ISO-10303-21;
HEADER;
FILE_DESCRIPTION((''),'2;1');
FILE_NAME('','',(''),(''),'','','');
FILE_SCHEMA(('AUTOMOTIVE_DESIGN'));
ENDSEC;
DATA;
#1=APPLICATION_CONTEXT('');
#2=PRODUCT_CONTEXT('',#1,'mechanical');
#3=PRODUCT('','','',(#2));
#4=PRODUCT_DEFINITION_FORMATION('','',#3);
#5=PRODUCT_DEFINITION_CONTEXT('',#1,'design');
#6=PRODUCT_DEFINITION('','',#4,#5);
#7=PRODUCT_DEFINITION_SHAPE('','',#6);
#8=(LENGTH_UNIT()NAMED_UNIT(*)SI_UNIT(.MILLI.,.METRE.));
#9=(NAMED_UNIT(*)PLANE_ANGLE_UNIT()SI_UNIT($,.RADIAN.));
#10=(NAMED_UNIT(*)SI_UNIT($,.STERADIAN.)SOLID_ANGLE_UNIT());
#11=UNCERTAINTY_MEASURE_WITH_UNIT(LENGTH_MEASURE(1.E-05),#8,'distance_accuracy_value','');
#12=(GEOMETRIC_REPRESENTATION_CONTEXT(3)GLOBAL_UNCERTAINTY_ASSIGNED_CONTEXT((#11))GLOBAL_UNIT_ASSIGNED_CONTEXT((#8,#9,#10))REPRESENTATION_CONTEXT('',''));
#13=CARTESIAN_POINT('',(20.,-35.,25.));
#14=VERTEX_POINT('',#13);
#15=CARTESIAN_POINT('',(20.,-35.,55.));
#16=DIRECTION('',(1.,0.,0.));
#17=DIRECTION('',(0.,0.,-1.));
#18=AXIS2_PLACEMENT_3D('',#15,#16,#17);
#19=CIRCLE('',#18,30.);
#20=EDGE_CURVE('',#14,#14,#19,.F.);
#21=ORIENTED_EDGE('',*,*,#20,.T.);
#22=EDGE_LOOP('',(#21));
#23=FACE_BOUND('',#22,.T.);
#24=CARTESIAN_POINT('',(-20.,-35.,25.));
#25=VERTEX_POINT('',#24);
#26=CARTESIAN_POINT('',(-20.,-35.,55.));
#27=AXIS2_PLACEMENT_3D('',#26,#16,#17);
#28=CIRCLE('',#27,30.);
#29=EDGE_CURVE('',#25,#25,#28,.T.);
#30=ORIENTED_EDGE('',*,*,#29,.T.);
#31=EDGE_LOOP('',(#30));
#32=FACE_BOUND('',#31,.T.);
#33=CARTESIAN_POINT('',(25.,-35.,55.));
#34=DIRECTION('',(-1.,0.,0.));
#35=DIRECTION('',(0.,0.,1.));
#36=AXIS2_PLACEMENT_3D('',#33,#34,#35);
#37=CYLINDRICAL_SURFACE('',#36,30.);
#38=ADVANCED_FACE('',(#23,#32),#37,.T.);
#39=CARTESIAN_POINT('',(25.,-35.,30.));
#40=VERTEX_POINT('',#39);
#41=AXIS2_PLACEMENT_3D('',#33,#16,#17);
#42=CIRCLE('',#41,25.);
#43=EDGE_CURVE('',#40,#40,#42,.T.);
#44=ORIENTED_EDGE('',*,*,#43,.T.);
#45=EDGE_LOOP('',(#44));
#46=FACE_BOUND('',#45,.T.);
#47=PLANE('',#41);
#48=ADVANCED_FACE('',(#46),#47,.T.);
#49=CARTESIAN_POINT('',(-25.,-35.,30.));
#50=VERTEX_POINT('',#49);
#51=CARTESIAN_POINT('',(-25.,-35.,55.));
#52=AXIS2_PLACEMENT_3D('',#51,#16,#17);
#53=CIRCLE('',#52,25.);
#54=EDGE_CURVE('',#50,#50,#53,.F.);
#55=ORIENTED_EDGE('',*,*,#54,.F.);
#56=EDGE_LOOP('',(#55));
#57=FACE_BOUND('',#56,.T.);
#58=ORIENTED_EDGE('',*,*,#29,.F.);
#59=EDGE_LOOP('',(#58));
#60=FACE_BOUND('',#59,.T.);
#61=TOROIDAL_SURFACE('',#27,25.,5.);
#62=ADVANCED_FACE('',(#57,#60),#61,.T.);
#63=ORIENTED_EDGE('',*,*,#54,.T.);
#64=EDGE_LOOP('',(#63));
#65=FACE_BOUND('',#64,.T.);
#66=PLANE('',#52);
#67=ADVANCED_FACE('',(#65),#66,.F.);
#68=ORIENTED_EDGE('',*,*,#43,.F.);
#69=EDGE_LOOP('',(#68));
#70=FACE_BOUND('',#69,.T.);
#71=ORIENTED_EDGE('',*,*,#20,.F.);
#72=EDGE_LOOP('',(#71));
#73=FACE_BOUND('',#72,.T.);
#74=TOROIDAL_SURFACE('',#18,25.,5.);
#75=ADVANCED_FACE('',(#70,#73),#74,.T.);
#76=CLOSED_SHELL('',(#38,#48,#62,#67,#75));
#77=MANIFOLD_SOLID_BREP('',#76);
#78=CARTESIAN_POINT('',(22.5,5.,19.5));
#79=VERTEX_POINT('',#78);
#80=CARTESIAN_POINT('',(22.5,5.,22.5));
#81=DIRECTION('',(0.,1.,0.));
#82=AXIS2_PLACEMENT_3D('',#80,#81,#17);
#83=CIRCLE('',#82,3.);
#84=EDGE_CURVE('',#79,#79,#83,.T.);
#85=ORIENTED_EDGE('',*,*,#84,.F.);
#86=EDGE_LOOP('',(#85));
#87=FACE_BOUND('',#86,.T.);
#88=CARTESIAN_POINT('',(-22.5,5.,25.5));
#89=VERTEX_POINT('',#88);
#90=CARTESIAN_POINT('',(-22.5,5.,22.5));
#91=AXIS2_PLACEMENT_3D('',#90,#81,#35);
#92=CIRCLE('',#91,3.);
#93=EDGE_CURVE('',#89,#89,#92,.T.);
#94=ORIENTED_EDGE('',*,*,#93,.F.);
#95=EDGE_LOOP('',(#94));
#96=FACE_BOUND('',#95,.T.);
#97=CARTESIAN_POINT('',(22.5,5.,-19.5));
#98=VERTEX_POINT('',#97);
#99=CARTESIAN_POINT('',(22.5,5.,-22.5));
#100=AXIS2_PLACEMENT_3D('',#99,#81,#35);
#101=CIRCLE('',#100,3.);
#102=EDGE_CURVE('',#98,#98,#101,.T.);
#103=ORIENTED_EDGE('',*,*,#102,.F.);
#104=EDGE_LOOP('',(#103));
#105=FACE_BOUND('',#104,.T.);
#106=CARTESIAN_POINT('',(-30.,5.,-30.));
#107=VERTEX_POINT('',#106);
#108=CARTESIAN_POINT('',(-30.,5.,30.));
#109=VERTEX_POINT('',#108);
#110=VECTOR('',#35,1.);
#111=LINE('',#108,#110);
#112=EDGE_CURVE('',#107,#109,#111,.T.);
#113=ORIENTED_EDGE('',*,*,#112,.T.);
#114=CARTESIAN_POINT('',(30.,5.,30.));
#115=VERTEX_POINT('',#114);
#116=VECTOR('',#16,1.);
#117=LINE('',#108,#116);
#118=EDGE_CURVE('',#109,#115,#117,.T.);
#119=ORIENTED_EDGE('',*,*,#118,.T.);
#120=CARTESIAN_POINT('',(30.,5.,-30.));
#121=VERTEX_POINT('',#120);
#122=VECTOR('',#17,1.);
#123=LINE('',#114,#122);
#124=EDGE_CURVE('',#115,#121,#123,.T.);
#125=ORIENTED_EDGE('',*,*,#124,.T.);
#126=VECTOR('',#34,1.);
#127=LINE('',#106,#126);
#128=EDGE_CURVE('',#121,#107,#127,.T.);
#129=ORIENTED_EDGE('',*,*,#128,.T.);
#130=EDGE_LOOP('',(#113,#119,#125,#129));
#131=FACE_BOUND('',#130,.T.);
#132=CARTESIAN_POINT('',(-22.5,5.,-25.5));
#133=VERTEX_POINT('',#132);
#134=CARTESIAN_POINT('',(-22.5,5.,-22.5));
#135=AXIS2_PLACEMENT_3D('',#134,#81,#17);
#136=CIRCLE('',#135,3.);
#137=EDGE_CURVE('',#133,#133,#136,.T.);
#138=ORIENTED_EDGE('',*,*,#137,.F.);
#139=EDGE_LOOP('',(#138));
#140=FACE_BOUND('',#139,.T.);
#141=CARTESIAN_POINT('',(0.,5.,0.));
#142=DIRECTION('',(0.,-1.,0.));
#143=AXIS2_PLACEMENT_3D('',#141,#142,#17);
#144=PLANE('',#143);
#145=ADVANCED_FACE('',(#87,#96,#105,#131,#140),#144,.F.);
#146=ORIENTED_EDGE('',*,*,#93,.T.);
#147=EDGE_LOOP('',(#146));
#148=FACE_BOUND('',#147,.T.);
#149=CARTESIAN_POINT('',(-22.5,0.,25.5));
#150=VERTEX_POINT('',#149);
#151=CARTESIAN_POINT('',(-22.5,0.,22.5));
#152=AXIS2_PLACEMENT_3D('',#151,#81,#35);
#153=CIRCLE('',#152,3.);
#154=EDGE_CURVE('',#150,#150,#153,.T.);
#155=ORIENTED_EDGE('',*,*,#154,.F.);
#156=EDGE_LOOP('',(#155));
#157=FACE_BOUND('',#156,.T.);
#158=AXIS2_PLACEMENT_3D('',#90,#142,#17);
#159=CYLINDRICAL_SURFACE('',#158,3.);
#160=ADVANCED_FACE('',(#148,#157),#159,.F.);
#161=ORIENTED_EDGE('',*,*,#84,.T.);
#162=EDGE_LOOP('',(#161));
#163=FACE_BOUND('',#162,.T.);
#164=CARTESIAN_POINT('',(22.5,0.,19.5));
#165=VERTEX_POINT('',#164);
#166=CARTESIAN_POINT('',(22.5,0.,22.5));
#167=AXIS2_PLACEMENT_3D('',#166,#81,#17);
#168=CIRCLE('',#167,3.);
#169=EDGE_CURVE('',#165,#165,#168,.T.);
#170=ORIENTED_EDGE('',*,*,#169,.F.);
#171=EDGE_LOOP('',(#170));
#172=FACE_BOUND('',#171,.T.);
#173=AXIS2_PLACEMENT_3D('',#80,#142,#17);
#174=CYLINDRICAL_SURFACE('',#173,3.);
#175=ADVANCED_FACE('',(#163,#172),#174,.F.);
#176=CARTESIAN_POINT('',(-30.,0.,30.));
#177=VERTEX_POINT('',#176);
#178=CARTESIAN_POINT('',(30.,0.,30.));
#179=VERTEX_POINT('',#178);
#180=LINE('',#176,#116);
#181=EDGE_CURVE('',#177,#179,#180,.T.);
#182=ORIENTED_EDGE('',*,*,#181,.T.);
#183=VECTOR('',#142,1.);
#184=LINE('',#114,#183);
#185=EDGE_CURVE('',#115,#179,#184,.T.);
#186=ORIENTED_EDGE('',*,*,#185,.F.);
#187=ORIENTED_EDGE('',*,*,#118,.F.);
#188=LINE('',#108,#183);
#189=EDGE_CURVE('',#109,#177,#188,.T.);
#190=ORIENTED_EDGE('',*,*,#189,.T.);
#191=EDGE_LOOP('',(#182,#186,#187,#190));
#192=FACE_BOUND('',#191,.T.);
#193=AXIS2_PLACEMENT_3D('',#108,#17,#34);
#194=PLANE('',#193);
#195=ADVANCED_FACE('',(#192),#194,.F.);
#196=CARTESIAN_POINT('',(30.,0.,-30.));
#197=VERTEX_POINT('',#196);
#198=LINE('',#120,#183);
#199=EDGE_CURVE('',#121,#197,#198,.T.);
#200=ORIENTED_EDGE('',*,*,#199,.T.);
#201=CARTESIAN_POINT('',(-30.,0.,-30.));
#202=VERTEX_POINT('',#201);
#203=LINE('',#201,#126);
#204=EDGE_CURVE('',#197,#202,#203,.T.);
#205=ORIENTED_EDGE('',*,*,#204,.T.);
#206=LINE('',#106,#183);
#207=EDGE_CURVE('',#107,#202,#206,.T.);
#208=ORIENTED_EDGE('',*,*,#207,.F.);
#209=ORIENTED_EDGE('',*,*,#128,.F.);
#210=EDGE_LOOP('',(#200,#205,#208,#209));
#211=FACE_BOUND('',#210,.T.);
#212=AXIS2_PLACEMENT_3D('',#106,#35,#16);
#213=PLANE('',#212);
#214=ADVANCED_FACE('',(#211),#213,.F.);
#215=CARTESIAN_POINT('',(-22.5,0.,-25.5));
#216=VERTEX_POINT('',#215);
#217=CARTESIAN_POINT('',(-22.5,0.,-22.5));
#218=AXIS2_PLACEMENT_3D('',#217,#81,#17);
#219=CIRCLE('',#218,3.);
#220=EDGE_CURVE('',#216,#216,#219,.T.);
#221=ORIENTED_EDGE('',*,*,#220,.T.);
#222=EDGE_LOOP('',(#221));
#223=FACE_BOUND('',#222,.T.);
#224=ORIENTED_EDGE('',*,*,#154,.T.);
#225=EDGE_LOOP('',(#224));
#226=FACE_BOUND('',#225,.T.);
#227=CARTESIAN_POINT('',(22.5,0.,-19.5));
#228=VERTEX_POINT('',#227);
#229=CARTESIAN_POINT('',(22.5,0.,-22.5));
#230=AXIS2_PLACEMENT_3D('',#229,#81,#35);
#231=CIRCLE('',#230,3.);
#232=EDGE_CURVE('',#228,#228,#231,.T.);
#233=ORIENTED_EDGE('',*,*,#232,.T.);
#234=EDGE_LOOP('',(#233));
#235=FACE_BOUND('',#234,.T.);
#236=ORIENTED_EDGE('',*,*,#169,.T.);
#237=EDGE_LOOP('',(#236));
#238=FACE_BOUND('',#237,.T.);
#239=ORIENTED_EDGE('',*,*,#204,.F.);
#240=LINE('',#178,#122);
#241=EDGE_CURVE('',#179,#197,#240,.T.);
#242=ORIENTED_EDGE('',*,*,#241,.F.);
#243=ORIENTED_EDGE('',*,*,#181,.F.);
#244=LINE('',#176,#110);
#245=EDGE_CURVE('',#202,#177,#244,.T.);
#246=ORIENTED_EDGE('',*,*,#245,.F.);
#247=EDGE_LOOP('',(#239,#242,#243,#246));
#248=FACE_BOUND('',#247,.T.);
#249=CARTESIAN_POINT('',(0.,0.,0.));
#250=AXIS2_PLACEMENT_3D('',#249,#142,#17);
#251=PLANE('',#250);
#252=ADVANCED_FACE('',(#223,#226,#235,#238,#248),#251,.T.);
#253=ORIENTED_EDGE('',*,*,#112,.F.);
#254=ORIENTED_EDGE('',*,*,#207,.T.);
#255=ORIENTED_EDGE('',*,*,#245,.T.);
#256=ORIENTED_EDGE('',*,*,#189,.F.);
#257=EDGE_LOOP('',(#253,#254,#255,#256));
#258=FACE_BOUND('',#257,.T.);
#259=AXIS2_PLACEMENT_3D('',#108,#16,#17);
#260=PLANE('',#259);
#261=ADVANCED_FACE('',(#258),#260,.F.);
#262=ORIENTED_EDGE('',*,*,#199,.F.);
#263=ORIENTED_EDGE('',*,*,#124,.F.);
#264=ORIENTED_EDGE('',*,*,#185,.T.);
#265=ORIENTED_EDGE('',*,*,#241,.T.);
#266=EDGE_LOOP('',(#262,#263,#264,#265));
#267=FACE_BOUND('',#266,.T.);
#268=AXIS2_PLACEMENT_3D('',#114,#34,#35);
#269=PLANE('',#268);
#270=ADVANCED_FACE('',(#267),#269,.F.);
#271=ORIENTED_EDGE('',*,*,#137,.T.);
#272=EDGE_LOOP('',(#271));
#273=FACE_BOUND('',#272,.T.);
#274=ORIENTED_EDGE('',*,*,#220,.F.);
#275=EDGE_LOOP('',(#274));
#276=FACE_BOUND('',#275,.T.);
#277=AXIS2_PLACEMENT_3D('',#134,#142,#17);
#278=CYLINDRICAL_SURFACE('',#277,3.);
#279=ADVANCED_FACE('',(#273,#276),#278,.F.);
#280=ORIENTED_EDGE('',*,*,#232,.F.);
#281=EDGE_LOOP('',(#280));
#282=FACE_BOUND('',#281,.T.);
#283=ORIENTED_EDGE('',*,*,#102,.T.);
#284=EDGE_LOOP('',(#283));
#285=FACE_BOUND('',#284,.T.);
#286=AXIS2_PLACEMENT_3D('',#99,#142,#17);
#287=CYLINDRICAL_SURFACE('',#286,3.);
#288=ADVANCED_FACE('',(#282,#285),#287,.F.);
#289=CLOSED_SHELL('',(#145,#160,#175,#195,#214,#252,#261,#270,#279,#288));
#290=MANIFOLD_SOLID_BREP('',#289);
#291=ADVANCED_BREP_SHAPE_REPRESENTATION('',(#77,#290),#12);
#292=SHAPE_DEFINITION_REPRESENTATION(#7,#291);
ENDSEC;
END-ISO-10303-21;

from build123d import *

# Parameters (mm, degrees)
SKETCH1_W           = 60
SKETCH1_H           = 60
SKETCH1_R           = 3
BOSS_EXTRUDE1_DEPTH = 5
SKETCH2_R           = 30
BOSS_EXTRUDE2_DEPTH = 25
FILLET1_R           = 5


with BuildPart() as part:
    # Sketch1 → Boss-Extrude1 (new body)
    with BuildSketch(Plane(origin=(0, 0, 0), x_dir=(1, 0, 0), z_dir=(0, 1, 0))):
        Rectangle(SKETCH1_W, SKETCH1_H)
        with Locations((22.5, 22.5)):
            Circle(SKETCH1_R, mode=Mode.SUBTRACT)
        with Locations((-22.5, 22.5)):
            Circle(SKETCH1_R, mode=Mode.SUBTRACT)
        with Locations((22.5, -22.5)):
            Circle(SKETCH1_R, mode=Mode.SUBTRACT)
        with Locations((-22.5, -22.5)):
            Circle(SKETCH1_R, mode=Mode.SUBTRACT)
    extrude(amount=BOSS_EXTRUDE1_DEPTH)


with BuildPart() as body_2:
    # Sketch2 → Boss-Extrude2 (new, symmetric)
    with BuildSketch(Plane(origin=(0, 0, 0), x_dir=(0, 0, -1), z_dir=(1, 0, 0))):
        with Locations((-55, -35)):
            Circle(SKETCH2_R)
    extrude(amount=BOSS_EXTRUDE2_DEPTH, both=True)

    # Fillet1
    fillet1_edges = [body_2.edges().sort_by_distance(p)[0] for p in [
        (-25, -35, 85),
        (25, -35, 85),
    ]]
    fillet(fillet1_edges, radius=FILLET1_R)


solid = Compound([part.part, body_2.part])
